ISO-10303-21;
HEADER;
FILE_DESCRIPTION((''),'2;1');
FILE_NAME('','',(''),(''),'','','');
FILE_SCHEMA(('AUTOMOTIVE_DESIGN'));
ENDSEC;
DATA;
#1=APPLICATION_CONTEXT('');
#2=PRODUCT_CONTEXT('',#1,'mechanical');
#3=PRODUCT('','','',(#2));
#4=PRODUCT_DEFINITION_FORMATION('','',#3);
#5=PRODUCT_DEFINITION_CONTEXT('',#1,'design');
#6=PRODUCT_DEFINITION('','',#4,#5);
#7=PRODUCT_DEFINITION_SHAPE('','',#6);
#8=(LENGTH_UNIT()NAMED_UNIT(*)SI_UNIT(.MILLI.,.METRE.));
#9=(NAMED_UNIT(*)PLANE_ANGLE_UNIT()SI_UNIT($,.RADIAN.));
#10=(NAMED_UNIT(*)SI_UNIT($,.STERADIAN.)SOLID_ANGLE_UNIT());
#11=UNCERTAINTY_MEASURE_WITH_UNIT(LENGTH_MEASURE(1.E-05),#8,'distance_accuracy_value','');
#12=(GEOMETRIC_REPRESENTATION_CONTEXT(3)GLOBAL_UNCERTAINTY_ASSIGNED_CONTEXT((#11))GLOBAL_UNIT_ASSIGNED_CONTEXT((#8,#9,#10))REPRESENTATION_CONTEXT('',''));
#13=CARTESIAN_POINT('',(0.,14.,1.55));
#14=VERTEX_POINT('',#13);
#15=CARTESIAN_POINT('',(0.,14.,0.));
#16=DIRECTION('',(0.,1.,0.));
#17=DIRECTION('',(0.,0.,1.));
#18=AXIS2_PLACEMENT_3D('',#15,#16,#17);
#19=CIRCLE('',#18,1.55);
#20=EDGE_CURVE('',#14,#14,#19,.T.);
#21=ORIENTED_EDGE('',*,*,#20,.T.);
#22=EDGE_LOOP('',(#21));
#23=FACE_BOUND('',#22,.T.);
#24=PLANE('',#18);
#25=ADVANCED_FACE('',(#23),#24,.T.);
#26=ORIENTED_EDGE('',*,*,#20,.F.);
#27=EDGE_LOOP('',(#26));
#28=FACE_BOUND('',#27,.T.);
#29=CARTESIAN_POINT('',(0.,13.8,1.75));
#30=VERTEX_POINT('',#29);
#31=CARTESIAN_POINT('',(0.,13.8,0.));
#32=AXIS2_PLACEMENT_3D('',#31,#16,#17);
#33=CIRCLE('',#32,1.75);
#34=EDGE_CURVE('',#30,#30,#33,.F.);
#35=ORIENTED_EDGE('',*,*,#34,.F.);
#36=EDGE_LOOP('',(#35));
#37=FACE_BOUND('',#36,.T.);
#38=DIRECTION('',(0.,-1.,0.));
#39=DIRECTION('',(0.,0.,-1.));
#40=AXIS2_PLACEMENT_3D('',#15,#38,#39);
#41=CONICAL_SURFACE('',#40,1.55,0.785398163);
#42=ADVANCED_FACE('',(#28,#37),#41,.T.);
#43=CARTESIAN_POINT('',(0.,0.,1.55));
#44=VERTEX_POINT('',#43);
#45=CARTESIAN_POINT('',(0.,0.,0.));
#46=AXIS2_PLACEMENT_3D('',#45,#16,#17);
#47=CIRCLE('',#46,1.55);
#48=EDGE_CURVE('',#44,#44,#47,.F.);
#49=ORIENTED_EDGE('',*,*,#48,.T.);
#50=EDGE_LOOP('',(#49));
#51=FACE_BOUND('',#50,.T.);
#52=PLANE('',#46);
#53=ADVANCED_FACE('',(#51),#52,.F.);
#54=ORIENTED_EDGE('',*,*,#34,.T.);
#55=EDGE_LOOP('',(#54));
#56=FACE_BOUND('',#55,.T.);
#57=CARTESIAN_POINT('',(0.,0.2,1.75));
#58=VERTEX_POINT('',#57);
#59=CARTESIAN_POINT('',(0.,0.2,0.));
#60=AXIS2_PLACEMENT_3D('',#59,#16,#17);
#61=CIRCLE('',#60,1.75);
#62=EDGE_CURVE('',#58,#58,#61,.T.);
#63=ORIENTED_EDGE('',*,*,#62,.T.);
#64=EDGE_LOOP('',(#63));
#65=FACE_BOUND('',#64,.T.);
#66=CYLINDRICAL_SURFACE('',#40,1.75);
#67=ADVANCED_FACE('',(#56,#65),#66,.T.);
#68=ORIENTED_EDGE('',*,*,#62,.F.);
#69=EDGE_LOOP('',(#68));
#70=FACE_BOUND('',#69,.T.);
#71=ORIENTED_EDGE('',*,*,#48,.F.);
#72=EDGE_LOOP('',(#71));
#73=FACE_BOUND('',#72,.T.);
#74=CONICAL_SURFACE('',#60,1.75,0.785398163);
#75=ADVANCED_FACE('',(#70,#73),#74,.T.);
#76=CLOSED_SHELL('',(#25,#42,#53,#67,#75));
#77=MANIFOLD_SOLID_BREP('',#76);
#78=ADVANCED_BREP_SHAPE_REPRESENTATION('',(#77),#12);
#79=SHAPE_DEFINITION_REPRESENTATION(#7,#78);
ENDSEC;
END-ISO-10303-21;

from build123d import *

# Parameters (mm, degrees)
SKETCH_1_R      = 1.75
EXTRUDE_1_DEPTH = 14
CHAMFER_1_SIZE  = 0.2


with BuildPart() as part:
    # 草图1 → 凸台-拉伸1 (new body)
    with BuildSketch(Plane(origin=(0, 0, 0), x_dir=(1, 0, 0), z_dir=(0, 1, 0))):
        with Locations(Location((0, 0, 0), (0, 0, 270))):
            Circle(SKETCH_1_R)
    extrude(amount=EXTRUDE_1_DEPTH)

    # 倒角1
    chamfer_1_edges = [part.edges().sort_by_distance(p)[0] for p in [
        (0, 0, -1.75),
        (0, 14, -1.75),
    ]]
    chamfer(chamfer_1_edges, length=CHAMFER_1_SIZE)


solid = part.part
